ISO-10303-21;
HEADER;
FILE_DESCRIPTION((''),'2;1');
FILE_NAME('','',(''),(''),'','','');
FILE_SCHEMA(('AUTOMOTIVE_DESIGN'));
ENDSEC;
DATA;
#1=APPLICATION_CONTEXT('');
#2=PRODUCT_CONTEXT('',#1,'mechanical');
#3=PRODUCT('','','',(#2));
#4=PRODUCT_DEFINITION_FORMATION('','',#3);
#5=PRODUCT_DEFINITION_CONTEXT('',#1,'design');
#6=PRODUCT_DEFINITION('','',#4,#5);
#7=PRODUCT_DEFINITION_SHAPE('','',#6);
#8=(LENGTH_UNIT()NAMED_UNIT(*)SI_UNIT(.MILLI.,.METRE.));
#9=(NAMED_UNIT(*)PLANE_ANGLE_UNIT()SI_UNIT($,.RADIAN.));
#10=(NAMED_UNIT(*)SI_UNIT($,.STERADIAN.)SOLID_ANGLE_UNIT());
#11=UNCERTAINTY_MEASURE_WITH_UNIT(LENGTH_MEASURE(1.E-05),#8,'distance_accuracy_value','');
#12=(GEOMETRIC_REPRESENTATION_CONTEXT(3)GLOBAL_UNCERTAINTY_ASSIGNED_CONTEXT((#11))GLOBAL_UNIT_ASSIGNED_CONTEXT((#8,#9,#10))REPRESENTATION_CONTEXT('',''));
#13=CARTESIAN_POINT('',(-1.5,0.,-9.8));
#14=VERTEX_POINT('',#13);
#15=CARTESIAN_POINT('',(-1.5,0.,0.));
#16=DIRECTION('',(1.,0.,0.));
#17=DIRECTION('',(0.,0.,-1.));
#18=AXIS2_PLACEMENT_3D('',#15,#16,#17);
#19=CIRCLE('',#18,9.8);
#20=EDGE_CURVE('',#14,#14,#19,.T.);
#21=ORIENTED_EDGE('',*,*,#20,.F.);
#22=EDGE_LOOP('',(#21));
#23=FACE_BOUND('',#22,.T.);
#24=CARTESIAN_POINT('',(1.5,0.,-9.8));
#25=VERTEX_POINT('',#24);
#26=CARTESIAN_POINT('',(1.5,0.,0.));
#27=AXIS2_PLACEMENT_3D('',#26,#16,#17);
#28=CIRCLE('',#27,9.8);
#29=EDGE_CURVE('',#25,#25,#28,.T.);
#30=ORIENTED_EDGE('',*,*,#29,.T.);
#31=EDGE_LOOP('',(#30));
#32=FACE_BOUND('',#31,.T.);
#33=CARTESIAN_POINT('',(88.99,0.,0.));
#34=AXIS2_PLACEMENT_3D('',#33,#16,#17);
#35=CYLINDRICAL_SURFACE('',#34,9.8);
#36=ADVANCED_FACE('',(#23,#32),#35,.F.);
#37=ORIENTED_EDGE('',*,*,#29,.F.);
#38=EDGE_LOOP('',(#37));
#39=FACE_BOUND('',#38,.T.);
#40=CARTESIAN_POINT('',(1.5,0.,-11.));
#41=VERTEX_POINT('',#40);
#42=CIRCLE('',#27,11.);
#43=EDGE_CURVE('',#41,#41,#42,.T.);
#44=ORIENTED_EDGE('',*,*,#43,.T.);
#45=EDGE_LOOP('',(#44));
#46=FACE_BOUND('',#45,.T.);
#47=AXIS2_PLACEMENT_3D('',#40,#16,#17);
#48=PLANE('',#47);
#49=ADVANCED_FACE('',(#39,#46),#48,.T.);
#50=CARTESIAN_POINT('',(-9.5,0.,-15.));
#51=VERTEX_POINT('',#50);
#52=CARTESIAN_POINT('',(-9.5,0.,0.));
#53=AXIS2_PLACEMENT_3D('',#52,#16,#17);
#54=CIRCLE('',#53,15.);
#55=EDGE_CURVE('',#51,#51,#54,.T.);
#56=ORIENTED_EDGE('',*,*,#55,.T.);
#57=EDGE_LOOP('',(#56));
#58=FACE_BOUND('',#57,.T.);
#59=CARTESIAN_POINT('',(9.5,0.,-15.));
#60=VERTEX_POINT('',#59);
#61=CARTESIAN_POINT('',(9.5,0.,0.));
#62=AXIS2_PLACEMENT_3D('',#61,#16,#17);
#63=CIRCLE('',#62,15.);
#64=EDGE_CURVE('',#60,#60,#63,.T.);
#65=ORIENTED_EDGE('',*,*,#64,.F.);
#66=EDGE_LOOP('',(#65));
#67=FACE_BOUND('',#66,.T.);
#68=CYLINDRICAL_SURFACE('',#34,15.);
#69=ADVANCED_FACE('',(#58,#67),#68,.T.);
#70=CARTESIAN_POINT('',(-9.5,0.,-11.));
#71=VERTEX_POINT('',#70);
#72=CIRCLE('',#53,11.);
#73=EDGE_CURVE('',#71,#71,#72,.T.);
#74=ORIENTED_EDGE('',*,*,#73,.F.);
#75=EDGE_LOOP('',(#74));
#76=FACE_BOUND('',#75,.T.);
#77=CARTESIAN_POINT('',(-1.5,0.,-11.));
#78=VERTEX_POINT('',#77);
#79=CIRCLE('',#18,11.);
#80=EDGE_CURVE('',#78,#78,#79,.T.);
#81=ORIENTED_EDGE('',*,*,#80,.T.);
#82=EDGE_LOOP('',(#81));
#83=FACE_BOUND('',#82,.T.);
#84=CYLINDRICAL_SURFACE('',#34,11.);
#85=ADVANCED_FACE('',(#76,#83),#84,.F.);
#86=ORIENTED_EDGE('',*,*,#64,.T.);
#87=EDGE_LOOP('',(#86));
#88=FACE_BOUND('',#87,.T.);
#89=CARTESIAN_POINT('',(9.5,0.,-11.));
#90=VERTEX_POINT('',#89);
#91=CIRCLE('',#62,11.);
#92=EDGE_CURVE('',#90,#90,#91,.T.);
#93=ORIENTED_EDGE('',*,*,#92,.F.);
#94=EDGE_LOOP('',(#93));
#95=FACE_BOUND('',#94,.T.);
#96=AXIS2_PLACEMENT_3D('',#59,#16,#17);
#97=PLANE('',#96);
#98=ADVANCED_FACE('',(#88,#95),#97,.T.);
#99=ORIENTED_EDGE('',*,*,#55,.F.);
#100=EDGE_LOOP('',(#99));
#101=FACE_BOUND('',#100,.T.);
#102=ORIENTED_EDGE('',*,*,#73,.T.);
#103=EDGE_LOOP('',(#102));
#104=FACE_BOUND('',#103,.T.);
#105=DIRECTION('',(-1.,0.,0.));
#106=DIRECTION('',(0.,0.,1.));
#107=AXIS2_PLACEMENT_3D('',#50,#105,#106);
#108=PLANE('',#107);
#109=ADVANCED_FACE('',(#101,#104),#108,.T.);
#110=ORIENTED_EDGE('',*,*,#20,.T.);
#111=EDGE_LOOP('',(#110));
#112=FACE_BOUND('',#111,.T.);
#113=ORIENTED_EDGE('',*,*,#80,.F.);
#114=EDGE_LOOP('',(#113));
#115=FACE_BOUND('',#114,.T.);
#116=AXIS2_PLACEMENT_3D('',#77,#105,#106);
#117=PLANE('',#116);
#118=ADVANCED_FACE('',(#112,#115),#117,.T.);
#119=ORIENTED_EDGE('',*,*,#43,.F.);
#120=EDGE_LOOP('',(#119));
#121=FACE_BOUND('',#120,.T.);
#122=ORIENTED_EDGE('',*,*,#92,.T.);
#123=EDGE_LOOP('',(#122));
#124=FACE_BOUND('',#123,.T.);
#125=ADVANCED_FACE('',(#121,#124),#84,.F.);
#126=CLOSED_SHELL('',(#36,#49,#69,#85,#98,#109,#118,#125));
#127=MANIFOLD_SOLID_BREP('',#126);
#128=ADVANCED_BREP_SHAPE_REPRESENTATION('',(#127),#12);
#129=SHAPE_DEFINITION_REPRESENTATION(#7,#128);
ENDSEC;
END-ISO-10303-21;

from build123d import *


with BuildPart() as part:
    # Sketch2 → Revolve1 (revolve)
    with BuildSketch(Plane(origin=(0, 0, 0), x_dir=(1, 0, 0), z_dir=(0, 1, 0))):
        Polygon((-9.5, 15), (9.5, 15), (9.5, 11), (1.5, 11), (1.5, 9.8), (-1.5, 9.8), (-1.5, 11), (-9.5, 11), align=None)
    revolve(axis=Axis((88.99, 0, 0), (-1, 0, 0)))


solid = part.part
